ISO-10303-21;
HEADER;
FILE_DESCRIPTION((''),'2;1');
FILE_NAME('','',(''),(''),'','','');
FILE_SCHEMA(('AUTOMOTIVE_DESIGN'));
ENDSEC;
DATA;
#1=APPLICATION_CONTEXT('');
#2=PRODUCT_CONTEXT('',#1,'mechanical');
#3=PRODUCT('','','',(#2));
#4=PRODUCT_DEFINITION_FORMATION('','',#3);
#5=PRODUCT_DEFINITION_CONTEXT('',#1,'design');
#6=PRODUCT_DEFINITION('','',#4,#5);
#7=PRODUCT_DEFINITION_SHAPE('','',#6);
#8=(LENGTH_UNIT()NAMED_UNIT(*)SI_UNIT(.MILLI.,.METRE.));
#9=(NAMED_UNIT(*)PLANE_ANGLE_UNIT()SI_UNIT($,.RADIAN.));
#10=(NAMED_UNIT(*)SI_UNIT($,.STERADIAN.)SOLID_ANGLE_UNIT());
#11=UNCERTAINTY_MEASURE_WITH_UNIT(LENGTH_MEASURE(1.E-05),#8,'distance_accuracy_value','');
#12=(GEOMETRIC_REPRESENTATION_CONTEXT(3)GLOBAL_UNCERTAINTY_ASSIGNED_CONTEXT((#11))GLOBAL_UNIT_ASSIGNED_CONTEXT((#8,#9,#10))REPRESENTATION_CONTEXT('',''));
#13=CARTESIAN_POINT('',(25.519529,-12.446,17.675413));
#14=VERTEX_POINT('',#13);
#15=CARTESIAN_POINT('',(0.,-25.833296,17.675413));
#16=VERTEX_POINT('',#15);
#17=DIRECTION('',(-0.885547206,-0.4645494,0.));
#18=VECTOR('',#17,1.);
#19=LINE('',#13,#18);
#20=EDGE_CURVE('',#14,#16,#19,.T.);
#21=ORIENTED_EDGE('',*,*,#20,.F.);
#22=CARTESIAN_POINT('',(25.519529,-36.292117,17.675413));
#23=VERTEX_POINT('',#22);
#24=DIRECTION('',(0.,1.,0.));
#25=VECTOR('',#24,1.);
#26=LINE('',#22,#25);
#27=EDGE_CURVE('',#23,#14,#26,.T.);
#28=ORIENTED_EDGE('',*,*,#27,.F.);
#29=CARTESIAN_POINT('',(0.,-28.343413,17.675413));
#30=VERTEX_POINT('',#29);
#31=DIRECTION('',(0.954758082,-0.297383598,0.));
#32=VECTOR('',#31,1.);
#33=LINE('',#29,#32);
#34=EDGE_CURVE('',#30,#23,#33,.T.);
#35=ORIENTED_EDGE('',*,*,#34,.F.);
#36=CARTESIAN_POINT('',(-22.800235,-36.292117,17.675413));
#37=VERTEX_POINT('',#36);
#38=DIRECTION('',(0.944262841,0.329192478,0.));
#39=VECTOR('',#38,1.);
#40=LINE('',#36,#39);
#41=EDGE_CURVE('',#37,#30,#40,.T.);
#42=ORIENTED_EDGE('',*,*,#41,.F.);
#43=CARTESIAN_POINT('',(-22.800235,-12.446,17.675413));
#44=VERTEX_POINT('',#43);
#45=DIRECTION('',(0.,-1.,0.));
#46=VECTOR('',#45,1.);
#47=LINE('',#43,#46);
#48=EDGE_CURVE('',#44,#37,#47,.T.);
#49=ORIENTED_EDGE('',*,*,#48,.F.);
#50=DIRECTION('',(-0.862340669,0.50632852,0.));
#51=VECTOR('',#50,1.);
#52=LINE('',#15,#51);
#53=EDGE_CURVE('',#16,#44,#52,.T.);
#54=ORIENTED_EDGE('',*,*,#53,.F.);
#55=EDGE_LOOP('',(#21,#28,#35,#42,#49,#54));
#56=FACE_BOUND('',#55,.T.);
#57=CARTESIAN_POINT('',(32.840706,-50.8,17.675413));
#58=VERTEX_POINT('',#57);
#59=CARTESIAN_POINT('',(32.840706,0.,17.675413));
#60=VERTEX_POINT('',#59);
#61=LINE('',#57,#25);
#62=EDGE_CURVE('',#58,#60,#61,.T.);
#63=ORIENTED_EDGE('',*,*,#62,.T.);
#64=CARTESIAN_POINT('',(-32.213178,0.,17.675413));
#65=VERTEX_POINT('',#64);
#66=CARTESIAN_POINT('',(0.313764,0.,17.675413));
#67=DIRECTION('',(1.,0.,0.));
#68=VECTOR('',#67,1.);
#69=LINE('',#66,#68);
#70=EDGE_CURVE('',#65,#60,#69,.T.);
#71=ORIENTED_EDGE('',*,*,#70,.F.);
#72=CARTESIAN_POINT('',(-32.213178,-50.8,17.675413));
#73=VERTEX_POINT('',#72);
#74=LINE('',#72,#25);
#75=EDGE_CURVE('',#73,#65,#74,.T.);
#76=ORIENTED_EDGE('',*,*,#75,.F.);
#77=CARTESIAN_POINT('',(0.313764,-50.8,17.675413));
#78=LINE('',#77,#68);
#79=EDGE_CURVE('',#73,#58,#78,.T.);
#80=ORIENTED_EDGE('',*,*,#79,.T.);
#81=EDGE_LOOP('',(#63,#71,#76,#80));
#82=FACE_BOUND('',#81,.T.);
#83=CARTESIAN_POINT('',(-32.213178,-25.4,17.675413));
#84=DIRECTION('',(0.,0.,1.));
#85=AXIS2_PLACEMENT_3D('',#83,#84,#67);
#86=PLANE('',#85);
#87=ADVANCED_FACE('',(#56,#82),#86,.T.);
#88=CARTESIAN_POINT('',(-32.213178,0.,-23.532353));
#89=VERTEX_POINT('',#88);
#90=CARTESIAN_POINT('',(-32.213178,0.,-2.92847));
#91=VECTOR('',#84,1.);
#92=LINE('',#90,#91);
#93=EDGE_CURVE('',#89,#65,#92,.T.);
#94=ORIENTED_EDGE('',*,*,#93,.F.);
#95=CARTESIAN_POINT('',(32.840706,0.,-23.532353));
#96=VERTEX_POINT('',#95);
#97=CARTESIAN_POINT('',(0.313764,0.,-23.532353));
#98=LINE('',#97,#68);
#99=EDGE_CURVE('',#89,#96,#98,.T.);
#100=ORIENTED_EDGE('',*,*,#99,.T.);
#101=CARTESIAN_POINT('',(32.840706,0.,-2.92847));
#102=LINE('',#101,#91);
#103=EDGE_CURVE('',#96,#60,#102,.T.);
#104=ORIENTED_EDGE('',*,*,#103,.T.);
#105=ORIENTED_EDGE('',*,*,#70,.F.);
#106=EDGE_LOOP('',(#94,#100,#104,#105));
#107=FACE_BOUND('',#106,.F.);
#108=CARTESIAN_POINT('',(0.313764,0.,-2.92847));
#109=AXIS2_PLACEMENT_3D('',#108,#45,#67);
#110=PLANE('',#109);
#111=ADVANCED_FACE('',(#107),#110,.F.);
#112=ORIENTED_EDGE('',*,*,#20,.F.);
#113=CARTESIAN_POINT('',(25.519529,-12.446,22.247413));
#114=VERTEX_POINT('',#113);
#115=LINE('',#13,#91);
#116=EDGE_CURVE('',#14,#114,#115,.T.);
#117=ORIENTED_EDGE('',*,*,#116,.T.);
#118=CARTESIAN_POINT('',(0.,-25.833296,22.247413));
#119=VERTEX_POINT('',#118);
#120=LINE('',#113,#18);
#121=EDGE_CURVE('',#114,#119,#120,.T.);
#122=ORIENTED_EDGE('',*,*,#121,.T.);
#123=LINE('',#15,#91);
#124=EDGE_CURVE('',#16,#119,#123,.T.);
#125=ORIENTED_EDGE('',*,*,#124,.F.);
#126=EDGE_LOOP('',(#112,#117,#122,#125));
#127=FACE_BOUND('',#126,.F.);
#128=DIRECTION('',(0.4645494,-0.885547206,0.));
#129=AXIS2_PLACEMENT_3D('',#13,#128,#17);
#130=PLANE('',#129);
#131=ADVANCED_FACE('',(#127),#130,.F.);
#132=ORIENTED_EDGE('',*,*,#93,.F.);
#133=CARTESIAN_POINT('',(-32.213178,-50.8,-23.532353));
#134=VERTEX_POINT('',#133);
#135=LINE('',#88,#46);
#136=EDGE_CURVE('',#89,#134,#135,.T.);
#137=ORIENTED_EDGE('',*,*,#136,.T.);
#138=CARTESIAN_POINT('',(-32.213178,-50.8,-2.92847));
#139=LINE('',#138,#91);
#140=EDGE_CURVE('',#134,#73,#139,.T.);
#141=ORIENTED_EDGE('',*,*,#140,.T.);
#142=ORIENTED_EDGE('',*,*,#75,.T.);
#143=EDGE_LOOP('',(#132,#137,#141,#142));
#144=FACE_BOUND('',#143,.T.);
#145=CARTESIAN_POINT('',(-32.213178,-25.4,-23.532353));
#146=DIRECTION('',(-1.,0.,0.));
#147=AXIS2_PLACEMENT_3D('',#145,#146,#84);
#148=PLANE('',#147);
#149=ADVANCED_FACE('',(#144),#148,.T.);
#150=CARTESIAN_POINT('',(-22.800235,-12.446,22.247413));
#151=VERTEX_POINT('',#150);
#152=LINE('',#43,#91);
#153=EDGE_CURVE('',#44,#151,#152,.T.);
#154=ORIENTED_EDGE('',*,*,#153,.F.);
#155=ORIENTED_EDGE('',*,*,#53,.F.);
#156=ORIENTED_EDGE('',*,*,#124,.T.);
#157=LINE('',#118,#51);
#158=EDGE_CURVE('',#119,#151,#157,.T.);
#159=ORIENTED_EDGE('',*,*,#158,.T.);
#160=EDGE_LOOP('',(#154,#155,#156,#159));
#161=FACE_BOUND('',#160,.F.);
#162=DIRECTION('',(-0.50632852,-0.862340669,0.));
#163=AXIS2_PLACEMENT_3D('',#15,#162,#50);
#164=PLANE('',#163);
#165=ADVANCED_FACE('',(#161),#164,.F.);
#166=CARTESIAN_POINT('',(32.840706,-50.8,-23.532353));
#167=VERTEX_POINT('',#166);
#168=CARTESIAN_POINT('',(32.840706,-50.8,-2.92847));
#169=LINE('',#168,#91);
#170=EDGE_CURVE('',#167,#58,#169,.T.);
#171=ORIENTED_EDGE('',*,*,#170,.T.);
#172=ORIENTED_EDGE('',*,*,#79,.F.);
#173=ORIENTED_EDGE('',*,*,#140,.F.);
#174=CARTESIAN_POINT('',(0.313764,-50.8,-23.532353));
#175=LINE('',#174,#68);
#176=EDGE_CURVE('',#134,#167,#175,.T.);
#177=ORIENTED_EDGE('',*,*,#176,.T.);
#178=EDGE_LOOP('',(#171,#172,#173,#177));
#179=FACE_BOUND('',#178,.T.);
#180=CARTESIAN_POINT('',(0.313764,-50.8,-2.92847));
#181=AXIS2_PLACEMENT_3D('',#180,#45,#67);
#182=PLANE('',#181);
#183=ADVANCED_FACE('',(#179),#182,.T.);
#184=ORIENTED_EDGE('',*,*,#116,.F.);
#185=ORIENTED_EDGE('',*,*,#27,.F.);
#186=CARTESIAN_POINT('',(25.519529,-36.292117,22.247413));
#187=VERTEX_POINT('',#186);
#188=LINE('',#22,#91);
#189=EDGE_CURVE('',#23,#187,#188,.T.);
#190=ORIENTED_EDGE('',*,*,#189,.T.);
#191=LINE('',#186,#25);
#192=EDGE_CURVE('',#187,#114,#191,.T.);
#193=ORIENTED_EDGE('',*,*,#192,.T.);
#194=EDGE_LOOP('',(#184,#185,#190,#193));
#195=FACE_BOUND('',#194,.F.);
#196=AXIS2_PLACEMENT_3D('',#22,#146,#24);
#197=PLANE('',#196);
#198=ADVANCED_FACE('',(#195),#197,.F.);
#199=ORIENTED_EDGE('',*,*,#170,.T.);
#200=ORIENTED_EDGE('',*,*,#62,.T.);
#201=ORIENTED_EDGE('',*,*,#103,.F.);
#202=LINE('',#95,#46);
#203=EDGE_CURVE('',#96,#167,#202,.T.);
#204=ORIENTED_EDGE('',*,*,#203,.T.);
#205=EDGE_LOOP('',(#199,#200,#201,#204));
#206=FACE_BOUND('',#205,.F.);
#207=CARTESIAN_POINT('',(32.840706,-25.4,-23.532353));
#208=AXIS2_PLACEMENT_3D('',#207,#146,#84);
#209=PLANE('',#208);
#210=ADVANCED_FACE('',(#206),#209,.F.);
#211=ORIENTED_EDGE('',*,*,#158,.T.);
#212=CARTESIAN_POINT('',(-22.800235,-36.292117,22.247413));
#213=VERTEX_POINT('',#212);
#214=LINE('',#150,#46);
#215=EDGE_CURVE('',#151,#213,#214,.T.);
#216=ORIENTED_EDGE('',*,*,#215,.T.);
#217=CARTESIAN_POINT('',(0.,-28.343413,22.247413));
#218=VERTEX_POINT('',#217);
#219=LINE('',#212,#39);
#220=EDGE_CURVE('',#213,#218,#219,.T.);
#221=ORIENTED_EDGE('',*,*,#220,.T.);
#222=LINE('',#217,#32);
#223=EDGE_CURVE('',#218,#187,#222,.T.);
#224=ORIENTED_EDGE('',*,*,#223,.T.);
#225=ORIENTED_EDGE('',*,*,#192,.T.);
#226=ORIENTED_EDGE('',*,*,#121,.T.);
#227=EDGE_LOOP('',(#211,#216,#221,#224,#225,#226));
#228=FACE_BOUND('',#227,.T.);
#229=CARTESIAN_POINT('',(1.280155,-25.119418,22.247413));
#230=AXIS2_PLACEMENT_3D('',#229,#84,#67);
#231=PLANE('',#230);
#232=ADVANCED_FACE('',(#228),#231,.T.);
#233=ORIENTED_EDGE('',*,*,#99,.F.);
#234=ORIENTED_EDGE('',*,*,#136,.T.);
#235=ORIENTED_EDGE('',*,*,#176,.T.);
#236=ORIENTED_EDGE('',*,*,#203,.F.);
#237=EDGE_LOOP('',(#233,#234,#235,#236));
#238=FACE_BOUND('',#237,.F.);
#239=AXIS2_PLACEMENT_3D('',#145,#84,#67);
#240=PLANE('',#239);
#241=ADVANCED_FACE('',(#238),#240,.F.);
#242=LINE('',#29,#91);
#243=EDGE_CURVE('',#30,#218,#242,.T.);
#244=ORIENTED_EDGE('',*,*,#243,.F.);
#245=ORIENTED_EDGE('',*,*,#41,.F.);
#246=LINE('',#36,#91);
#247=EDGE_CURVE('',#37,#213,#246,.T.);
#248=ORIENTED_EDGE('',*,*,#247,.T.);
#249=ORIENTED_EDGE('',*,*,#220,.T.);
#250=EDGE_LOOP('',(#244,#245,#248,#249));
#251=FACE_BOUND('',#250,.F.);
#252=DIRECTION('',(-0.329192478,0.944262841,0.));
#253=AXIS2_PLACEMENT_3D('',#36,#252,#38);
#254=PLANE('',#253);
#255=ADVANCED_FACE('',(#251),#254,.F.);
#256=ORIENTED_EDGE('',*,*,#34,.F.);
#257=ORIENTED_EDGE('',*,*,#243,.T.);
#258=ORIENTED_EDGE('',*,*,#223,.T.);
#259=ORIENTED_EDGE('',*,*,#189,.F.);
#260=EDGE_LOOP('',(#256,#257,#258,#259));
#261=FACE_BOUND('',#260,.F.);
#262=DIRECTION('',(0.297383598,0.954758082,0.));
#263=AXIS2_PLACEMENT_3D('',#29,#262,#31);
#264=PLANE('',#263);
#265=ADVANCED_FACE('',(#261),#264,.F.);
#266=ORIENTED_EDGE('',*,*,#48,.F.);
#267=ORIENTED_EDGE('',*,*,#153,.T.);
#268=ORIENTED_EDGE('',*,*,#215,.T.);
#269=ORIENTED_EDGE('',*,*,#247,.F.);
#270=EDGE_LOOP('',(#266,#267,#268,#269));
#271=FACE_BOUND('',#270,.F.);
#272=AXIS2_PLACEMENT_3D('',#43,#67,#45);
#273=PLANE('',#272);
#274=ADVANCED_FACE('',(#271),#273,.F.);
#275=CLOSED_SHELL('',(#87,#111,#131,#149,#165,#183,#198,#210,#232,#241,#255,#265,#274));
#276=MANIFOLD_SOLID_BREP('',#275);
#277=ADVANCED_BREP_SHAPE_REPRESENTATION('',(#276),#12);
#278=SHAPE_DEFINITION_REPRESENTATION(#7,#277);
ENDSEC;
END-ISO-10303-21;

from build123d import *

# Parameters (mm, degrees)
F0_W     = 65.05388394
F0_H     = 41.2077661604
F1_DEPTH = 25.4
F2_W     = 65.05388394
F2_H     = 41.2077661604
F3_DEPTH = 25.4
F5_DEPTH = 4.572


with BuildPart() as f1:
    # F0 (on Front) → F1 (new body)
    with BuildSketch(Plane.XZ):
        with Locations((0.313764438, -2.9284702614)):
            Rectangle(F0_W, F0_H)
    extrude(amount=F1_DEPTH)

    # F2 (on face) → F3 (join)
    with BuildSketch(Plane.XZ.offset(25.4)):
        with Locations((0.313764438, -2.9284702614)):
            Rectangle(F2_W, F2_H)
        Polygon((-23.4277658165, -9.0991770849), (-23.4277658165, 2.8238825034), (0, -3.2422353979), align=None, mode=Mode.SUBTRACT)
        Polygon((20.9176484495, -9.0991770849), (0, -3.2422353979), (20.9176484495, 2.8238825034), align=None, mode=Mode.SUBTRACT)
        Polygon((0, -3.2422353979), (-23.4277658165, 2.8238825034), (-23.4277658165, -9.0991770849), align=None)
        Polygon((20.9176484495, 2.8238825034), (0, -3.2422353979), (20.9176484495, -9.0991770849), align=None)
    extrude(amount=F3_DEPTH)

    # F4 (on face) → F5 (join)
    with BuildSketch(Plane.XY.offset(17.6754128188)):
        Polygon((0, -25.8332956582), (-22.8002350777, -12.4460002407), (-22.8002350777, -36.292117089), (0, -28.3434130251), (25.5195293576, -36.292117089), (25.5195293576, -12.4460002407), align=None)
    extrude(amount=F5_DEPTH)


solid = f1.part
